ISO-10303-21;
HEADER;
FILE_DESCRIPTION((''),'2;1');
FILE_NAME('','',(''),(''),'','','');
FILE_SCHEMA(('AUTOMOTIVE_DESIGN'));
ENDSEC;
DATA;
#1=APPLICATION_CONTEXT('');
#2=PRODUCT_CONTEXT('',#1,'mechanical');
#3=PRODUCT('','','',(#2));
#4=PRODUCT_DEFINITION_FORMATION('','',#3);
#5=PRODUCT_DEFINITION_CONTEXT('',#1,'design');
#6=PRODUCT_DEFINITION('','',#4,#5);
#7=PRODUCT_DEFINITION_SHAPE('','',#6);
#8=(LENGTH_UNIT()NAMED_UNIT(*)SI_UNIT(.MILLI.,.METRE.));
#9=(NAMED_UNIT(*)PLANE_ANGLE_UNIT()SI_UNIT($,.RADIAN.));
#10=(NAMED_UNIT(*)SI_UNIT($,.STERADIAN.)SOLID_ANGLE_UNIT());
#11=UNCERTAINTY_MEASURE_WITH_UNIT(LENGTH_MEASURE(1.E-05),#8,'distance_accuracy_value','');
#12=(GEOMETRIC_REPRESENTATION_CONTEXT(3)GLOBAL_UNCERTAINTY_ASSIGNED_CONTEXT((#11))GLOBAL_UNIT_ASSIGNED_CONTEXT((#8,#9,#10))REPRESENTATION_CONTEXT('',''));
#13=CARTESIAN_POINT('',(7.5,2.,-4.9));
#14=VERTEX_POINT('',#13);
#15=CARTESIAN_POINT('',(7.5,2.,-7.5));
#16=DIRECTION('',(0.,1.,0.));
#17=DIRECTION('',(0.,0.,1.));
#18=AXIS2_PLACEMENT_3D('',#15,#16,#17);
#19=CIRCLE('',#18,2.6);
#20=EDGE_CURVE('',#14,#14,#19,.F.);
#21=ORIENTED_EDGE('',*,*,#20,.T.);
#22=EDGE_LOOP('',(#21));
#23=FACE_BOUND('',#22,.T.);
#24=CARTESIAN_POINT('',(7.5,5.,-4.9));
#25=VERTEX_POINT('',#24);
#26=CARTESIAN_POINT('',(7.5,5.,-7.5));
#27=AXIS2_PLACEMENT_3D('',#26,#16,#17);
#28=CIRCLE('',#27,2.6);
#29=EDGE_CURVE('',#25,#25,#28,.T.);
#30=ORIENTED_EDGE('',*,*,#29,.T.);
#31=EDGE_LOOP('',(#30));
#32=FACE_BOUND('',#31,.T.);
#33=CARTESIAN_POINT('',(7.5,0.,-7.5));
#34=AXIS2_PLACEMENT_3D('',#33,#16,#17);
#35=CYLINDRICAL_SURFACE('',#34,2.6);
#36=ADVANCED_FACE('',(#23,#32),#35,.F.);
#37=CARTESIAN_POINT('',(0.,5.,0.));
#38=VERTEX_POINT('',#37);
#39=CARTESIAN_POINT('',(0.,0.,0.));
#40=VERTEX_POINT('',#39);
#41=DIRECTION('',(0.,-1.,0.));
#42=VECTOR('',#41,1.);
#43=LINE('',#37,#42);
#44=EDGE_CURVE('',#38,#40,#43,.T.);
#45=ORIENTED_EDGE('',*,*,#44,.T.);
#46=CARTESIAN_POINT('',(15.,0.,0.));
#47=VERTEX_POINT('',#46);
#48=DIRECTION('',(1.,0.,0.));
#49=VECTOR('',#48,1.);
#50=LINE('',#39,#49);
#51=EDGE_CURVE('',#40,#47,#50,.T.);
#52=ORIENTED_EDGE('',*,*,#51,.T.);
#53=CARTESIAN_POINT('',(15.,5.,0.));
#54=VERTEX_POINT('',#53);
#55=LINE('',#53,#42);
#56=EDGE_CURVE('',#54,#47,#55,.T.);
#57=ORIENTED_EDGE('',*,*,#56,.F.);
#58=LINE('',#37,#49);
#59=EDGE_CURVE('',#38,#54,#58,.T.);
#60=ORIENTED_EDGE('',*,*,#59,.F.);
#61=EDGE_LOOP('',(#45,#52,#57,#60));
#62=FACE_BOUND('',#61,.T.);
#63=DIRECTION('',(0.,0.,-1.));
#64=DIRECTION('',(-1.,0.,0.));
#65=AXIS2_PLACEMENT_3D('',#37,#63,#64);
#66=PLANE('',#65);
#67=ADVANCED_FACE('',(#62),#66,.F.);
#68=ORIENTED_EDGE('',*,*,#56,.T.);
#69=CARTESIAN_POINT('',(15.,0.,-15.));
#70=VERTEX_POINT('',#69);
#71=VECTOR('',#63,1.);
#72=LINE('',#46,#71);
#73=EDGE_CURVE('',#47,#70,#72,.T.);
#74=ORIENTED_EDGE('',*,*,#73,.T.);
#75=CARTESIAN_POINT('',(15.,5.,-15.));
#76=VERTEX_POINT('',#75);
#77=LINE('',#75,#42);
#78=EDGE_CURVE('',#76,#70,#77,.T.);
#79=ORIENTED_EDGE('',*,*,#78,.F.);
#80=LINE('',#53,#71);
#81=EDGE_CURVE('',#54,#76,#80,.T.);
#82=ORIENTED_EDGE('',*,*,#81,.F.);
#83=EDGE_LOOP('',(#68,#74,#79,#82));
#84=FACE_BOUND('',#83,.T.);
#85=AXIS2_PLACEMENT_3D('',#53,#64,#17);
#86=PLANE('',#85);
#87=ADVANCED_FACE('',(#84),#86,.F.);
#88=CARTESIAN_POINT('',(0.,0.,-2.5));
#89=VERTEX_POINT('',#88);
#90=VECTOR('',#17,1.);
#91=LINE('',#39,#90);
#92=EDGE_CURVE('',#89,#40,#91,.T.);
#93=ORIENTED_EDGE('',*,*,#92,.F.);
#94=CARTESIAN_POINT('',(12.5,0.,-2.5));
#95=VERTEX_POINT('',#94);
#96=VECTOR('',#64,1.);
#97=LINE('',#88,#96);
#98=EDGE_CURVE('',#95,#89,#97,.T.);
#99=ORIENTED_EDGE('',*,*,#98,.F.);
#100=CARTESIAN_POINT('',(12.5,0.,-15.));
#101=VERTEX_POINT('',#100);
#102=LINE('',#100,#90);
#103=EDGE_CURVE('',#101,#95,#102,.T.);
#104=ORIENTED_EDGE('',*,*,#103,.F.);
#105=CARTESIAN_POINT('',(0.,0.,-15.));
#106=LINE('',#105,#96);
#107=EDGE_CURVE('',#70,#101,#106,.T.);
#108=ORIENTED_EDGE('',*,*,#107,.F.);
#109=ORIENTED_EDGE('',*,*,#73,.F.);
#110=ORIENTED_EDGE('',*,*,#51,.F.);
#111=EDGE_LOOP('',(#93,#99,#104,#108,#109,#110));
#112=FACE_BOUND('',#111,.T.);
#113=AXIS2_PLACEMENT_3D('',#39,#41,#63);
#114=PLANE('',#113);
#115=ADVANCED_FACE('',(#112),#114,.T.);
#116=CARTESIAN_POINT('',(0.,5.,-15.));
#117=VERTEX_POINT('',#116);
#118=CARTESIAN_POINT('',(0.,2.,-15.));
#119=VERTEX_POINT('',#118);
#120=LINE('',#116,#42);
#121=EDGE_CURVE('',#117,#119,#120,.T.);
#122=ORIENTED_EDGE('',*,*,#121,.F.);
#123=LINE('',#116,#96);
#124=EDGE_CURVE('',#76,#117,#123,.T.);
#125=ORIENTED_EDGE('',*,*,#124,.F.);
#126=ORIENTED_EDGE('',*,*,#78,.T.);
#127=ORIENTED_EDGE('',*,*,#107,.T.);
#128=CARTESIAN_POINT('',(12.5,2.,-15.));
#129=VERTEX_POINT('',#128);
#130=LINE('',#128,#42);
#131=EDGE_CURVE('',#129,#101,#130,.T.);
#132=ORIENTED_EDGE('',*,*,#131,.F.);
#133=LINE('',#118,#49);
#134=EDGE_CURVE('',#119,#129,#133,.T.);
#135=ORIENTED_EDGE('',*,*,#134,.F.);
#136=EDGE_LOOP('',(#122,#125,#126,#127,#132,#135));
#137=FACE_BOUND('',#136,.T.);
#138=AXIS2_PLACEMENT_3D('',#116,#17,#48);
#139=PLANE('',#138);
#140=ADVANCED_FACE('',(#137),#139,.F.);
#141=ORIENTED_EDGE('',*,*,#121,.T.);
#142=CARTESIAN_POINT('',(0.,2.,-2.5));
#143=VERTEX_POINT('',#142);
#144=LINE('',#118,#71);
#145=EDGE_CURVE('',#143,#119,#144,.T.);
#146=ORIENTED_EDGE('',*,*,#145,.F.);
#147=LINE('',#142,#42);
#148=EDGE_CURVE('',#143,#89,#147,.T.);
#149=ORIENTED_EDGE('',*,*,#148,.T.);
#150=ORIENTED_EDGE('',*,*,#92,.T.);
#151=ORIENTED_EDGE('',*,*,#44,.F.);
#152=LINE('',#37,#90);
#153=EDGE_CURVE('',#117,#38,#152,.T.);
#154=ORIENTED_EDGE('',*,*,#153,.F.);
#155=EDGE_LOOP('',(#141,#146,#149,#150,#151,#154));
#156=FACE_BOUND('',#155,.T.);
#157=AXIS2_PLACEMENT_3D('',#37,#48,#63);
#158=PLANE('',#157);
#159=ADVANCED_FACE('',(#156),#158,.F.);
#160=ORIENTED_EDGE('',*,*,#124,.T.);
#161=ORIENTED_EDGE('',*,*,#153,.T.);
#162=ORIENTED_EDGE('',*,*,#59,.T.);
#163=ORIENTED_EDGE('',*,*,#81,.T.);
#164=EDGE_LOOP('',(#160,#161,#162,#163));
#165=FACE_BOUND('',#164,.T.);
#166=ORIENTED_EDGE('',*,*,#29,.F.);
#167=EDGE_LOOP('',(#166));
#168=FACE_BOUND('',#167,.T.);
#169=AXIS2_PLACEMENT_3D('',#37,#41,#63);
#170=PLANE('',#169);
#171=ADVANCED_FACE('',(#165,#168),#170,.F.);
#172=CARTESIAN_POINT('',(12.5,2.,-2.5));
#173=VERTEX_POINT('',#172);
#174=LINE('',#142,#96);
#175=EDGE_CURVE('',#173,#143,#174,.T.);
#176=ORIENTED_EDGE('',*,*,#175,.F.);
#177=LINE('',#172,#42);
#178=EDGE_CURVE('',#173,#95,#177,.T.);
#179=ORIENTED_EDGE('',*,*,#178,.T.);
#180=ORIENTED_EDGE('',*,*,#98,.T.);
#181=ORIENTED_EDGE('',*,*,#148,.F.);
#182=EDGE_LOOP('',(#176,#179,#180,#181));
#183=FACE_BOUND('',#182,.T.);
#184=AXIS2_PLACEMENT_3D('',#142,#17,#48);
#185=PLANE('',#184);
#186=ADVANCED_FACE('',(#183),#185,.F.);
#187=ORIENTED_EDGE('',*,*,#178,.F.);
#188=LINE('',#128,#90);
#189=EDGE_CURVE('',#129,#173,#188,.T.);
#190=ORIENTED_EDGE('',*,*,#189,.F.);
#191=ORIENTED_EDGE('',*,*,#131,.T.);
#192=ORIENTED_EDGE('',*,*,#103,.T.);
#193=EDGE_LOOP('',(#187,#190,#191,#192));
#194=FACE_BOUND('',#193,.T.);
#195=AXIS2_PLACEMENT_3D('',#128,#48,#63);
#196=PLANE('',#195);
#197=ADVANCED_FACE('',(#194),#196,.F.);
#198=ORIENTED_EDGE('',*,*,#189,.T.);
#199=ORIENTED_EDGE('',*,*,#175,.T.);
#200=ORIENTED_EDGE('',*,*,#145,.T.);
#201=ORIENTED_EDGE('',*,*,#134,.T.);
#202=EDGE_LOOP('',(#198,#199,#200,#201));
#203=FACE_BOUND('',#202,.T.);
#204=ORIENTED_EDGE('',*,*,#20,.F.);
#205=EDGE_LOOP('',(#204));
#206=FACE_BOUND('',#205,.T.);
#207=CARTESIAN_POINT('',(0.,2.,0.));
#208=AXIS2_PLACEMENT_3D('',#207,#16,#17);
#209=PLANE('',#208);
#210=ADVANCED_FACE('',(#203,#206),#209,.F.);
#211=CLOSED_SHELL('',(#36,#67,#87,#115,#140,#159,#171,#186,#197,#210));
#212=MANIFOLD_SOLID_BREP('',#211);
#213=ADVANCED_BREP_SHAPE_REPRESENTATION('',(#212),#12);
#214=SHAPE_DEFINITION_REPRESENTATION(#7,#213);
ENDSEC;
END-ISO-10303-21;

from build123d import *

# Parameters (mm, degrees)
CROQUIS1_W              = 15
CROQUIS1_H              = 15
SALIENTE_EXTRUIR1_DEPTH = 5
CROQUIS2_R              = 2.6
CORTAR_EXTRUIR1_DEPTH   = 5
CROQUIS3_W              = 12.5
CROQUIS3_H              = 12.5
CORTAR_EXTRUIR2_DEPTH   = 2


with BuildPart() as part:
    # Croquis1 → Saliente-Extruir1 (new body)
    with BuildSketch(Plane(origin=(0, 0, 0), x_dir=(1, 0, 0), z_dir=(0, 1, 0))):
        with Locations((7.5, 7.5)):
            Rectangle(CROQUIS1_W, CROQUIS1_H)
    extrude(amount=SALIENTE_EXTRUIR1_DEPTH)

    # Croquis2 → Cortar-Extruir1 (cut)
    with BuildSketch(Plane(origin=(0, 5, 0), x_dir=(1, 0, 0), z_dir=(0, 1, 0))):
        with Locations(Location((7.5, 7.5, 0), (0, 0, 270))):
            Circle(CROQUIS2_R)
    extrude(amount=-CORTAR_EXTRUIR1_DEPTH, mode=Mode.SUBTRACT)

    # Croquis3 → Cortar-Extruir2 (cut)
    with BuildSketch(Plane.XZ):
        with Locations((6.25, -8.75)):
            Rectangle(CROQUIS3_W, CROQUIS3_H)
    extrude(amount=-CORTAR_EXTRUIR2_DEPTH, mode=Mode.SUBTRACT)


solid = part.part
